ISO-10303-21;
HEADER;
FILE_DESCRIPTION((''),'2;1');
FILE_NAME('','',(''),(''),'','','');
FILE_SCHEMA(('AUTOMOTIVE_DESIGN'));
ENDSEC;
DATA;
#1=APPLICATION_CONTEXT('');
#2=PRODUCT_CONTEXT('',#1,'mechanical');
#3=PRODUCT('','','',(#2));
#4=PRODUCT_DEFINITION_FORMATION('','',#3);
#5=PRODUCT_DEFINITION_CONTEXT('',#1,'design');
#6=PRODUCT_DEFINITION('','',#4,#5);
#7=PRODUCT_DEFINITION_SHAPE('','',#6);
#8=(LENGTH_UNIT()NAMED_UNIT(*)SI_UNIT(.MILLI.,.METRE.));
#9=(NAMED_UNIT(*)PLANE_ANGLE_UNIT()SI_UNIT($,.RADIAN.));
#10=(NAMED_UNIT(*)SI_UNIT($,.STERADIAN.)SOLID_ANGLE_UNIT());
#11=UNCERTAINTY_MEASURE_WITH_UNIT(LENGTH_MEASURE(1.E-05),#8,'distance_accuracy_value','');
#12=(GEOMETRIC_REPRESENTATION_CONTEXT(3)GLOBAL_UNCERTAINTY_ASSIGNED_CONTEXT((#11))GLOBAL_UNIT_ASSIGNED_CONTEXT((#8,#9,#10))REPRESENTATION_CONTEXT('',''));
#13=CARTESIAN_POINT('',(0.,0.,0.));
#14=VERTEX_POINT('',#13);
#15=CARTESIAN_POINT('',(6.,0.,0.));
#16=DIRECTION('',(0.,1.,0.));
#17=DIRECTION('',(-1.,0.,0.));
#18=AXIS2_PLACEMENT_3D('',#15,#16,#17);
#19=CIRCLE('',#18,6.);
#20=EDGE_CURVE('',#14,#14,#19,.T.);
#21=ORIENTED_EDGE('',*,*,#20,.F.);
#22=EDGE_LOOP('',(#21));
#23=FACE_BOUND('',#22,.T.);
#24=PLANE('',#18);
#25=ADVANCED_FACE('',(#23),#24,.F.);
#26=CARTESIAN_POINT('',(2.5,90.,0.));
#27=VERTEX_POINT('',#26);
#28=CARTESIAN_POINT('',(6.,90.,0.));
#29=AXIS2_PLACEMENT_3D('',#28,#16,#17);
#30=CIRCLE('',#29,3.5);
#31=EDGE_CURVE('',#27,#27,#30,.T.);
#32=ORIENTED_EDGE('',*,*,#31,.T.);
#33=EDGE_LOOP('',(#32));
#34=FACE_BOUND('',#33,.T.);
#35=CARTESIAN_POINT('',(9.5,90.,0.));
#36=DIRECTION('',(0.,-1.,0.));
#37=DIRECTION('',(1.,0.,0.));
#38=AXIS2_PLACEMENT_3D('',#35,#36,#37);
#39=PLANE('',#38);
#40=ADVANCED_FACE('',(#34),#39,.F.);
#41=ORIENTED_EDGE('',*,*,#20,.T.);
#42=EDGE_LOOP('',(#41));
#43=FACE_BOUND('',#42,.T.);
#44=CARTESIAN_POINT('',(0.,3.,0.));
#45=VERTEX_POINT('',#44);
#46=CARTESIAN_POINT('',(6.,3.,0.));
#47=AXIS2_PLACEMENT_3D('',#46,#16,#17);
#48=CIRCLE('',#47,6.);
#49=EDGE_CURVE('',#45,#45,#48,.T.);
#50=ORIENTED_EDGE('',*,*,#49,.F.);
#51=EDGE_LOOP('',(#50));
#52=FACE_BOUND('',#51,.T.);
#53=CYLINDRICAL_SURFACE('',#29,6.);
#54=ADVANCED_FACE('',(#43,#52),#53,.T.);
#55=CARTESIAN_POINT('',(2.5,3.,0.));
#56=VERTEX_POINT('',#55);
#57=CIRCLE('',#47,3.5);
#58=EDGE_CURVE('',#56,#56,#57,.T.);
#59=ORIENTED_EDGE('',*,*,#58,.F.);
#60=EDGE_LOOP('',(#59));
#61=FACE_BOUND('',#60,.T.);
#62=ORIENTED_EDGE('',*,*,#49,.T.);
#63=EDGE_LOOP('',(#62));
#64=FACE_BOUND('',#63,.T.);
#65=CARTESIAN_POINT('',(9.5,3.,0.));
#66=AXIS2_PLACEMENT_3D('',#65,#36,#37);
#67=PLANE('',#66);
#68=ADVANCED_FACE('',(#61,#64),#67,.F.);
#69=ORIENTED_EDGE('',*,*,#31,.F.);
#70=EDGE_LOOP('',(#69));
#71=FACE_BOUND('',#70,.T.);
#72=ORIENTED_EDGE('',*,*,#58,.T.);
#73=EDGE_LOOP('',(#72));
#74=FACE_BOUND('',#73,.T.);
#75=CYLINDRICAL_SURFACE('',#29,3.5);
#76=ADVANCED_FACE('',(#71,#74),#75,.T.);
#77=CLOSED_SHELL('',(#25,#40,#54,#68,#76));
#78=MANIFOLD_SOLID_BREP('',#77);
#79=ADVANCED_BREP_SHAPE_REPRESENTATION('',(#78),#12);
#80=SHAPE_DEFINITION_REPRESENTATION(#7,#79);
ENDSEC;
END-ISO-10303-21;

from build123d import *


with BuildPart() as part:
    # Çizim1 → Döndür1 (revolve)
    with BuildSketch(Plane.XY):
        Polygon((6, 90), (6, 0), (12, 0), (12, 3), (9.5, 3), (9.5, 90), align=None)
    revolve(axis=Axis((6, 90, 0), (0, -1, 0)))


solid = part.part
